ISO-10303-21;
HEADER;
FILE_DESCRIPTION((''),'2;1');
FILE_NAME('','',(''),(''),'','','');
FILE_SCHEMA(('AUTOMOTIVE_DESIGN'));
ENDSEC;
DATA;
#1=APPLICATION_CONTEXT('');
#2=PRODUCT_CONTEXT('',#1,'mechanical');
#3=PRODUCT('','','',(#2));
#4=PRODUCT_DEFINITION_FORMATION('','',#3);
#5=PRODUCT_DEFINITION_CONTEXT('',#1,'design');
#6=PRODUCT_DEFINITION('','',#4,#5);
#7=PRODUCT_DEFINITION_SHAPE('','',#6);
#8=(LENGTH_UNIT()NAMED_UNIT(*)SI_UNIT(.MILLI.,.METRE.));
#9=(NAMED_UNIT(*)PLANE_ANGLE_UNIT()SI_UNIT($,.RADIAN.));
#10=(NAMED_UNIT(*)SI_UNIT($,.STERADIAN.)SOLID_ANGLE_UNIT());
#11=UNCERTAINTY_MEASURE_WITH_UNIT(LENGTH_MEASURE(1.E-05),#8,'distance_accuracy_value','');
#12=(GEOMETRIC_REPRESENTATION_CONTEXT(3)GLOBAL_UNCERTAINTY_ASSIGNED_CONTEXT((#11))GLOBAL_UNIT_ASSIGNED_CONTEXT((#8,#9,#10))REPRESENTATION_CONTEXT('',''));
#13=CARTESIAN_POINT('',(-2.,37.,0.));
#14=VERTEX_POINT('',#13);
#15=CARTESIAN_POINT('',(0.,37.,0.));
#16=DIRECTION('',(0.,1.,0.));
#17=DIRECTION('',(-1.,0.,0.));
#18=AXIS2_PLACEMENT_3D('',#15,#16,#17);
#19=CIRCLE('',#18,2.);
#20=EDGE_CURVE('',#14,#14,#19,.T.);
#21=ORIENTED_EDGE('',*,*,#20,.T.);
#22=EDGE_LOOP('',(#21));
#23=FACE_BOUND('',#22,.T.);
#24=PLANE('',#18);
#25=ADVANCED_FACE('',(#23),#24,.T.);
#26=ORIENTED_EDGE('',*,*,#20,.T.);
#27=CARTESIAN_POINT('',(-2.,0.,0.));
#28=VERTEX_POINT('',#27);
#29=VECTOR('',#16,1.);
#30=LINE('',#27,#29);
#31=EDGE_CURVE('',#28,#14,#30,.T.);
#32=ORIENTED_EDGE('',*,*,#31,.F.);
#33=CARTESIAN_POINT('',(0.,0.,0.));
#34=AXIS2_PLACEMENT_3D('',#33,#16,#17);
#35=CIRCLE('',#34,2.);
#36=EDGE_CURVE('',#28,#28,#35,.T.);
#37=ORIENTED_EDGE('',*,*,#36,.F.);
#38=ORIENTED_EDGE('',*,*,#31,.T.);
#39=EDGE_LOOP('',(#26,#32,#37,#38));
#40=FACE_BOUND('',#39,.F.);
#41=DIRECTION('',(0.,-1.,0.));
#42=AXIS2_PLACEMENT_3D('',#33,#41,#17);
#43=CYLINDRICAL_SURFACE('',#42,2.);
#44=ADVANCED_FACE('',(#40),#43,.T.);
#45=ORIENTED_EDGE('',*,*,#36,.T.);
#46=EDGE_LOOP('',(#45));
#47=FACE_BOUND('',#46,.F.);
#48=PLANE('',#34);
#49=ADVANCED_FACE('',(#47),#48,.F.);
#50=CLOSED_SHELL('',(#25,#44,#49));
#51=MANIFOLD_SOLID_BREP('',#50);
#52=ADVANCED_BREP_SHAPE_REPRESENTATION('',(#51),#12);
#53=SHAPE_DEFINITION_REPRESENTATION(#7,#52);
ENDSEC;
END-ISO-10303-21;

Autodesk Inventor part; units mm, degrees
ref_plane "YZ Plane" through (0, 0, 0) normal (1, 0, 0) x (0, 1, 0)
ref_plane "XZ Plane" through (0, 0, 0) normal (0, 1, 0) x (-1, 0, 0)
ref_plane "XY Plane" through (0, 0, 0) normal (0, 0, 1) x (1, 0, 0)
sketch "Sketch1" plane through (0, 0, 0) normal (0, 1, 0) x (-1, 0, 0)
  circle A0 centre (0, 0) radius 2
  dimension "d0" = 4
extrude "Extrusion1" add sketch "Sketch1" along normal blind 37
properties part number "shaft"
